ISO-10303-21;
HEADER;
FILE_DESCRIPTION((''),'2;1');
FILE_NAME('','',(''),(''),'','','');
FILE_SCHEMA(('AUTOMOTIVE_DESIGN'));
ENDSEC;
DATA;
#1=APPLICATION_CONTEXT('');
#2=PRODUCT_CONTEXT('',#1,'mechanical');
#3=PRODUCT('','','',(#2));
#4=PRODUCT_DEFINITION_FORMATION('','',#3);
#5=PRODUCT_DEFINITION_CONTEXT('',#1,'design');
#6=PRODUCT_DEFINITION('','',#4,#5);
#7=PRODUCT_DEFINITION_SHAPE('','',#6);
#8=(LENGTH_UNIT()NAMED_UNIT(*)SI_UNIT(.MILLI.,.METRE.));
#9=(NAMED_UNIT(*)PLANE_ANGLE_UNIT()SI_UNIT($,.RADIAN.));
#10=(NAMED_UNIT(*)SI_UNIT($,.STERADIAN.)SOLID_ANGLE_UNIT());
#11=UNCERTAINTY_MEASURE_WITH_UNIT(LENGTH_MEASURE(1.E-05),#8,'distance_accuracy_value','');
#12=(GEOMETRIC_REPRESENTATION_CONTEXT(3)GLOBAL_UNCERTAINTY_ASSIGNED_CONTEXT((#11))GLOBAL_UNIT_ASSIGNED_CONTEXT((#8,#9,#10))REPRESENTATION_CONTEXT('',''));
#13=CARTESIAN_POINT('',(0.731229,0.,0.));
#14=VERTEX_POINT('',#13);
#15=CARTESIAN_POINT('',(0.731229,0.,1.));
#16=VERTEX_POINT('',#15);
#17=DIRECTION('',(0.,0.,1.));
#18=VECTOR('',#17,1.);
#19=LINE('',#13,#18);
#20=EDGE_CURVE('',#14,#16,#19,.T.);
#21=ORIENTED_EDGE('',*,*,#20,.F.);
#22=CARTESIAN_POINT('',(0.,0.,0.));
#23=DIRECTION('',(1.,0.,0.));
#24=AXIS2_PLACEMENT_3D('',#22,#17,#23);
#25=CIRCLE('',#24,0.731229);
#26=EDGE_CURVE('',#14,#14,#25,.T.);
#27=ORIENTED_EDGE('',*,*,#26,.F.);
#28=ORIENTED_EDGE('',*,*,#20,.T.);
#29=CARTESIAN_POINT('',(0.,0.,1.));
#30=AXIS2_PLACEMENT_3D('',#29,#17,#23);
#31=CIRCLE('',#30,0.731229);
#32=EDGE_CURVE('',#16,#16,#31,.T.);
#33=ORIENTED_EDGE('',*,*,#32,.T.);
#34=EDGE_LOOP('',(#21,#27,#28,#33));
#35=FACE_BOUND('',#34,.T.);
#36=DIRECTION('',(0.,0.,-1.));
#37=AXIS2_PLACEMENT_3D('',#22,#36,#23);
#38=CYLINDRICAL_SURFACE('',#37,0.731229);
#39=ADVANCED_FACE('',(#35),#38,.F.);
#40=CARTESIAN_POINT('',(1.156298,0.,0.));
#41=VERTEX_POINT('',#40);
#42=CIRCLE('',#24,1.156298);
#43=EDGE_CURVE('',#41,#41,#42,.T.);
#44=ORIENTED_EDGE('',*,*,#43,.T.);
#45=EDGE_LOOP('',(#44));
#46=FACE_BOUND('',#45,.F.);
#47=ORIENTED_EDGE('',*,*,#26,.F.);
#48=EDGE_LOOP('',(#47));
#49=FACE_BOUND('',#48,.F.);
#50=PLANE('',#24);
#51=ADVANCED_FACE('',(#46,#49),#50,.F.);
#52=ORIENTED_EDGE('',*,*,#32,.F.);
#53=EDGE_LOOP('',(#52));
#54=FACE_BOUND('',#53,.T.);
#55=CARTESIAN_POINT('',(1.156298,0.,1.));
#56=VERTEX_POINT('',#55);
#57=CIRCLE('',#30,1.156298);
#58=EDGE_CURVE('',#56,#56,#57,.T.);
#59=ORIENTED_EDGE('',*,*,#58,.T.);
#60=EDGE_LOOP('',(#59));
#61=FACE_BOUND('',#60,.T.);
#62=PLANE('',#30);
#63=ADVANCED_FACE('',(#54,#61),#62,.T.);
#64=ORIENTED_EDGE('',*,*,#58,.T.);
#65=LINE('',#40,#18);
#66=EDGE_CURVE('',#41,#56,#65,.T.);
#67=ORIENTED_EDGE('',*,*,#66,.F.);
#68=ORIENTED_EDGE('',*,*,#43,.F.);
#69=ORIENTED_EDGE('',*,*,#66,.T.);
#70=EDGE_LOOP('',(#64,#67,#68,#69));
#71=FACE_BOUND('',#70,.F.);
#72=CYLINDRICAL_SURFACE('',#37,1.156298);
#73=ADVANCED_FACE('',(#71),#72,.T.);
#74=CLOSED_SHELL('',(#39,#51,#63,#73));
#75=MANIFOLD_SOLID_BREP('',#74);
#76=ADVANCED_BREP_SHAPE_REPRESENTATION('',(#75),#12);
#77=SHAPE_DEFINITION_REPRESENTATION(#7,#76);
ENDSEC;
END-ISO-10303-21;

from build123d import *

# Parameters (mm, degrees)
SKETCH_R   = 1.156298
SKETCH_R_2 = 0.731229
PAD_DEPTH  = 1


with BuildPart() as part:
    # Sketch → Pad (new body)
    with BuildSketch(Plane.XY):
        Circle(SKETCH_R)
        Circle(SKETCH_R_2, mode=Mode.SUBTRACT)
    extrude(amount=PAD_DEPTH)


solid = part.part
